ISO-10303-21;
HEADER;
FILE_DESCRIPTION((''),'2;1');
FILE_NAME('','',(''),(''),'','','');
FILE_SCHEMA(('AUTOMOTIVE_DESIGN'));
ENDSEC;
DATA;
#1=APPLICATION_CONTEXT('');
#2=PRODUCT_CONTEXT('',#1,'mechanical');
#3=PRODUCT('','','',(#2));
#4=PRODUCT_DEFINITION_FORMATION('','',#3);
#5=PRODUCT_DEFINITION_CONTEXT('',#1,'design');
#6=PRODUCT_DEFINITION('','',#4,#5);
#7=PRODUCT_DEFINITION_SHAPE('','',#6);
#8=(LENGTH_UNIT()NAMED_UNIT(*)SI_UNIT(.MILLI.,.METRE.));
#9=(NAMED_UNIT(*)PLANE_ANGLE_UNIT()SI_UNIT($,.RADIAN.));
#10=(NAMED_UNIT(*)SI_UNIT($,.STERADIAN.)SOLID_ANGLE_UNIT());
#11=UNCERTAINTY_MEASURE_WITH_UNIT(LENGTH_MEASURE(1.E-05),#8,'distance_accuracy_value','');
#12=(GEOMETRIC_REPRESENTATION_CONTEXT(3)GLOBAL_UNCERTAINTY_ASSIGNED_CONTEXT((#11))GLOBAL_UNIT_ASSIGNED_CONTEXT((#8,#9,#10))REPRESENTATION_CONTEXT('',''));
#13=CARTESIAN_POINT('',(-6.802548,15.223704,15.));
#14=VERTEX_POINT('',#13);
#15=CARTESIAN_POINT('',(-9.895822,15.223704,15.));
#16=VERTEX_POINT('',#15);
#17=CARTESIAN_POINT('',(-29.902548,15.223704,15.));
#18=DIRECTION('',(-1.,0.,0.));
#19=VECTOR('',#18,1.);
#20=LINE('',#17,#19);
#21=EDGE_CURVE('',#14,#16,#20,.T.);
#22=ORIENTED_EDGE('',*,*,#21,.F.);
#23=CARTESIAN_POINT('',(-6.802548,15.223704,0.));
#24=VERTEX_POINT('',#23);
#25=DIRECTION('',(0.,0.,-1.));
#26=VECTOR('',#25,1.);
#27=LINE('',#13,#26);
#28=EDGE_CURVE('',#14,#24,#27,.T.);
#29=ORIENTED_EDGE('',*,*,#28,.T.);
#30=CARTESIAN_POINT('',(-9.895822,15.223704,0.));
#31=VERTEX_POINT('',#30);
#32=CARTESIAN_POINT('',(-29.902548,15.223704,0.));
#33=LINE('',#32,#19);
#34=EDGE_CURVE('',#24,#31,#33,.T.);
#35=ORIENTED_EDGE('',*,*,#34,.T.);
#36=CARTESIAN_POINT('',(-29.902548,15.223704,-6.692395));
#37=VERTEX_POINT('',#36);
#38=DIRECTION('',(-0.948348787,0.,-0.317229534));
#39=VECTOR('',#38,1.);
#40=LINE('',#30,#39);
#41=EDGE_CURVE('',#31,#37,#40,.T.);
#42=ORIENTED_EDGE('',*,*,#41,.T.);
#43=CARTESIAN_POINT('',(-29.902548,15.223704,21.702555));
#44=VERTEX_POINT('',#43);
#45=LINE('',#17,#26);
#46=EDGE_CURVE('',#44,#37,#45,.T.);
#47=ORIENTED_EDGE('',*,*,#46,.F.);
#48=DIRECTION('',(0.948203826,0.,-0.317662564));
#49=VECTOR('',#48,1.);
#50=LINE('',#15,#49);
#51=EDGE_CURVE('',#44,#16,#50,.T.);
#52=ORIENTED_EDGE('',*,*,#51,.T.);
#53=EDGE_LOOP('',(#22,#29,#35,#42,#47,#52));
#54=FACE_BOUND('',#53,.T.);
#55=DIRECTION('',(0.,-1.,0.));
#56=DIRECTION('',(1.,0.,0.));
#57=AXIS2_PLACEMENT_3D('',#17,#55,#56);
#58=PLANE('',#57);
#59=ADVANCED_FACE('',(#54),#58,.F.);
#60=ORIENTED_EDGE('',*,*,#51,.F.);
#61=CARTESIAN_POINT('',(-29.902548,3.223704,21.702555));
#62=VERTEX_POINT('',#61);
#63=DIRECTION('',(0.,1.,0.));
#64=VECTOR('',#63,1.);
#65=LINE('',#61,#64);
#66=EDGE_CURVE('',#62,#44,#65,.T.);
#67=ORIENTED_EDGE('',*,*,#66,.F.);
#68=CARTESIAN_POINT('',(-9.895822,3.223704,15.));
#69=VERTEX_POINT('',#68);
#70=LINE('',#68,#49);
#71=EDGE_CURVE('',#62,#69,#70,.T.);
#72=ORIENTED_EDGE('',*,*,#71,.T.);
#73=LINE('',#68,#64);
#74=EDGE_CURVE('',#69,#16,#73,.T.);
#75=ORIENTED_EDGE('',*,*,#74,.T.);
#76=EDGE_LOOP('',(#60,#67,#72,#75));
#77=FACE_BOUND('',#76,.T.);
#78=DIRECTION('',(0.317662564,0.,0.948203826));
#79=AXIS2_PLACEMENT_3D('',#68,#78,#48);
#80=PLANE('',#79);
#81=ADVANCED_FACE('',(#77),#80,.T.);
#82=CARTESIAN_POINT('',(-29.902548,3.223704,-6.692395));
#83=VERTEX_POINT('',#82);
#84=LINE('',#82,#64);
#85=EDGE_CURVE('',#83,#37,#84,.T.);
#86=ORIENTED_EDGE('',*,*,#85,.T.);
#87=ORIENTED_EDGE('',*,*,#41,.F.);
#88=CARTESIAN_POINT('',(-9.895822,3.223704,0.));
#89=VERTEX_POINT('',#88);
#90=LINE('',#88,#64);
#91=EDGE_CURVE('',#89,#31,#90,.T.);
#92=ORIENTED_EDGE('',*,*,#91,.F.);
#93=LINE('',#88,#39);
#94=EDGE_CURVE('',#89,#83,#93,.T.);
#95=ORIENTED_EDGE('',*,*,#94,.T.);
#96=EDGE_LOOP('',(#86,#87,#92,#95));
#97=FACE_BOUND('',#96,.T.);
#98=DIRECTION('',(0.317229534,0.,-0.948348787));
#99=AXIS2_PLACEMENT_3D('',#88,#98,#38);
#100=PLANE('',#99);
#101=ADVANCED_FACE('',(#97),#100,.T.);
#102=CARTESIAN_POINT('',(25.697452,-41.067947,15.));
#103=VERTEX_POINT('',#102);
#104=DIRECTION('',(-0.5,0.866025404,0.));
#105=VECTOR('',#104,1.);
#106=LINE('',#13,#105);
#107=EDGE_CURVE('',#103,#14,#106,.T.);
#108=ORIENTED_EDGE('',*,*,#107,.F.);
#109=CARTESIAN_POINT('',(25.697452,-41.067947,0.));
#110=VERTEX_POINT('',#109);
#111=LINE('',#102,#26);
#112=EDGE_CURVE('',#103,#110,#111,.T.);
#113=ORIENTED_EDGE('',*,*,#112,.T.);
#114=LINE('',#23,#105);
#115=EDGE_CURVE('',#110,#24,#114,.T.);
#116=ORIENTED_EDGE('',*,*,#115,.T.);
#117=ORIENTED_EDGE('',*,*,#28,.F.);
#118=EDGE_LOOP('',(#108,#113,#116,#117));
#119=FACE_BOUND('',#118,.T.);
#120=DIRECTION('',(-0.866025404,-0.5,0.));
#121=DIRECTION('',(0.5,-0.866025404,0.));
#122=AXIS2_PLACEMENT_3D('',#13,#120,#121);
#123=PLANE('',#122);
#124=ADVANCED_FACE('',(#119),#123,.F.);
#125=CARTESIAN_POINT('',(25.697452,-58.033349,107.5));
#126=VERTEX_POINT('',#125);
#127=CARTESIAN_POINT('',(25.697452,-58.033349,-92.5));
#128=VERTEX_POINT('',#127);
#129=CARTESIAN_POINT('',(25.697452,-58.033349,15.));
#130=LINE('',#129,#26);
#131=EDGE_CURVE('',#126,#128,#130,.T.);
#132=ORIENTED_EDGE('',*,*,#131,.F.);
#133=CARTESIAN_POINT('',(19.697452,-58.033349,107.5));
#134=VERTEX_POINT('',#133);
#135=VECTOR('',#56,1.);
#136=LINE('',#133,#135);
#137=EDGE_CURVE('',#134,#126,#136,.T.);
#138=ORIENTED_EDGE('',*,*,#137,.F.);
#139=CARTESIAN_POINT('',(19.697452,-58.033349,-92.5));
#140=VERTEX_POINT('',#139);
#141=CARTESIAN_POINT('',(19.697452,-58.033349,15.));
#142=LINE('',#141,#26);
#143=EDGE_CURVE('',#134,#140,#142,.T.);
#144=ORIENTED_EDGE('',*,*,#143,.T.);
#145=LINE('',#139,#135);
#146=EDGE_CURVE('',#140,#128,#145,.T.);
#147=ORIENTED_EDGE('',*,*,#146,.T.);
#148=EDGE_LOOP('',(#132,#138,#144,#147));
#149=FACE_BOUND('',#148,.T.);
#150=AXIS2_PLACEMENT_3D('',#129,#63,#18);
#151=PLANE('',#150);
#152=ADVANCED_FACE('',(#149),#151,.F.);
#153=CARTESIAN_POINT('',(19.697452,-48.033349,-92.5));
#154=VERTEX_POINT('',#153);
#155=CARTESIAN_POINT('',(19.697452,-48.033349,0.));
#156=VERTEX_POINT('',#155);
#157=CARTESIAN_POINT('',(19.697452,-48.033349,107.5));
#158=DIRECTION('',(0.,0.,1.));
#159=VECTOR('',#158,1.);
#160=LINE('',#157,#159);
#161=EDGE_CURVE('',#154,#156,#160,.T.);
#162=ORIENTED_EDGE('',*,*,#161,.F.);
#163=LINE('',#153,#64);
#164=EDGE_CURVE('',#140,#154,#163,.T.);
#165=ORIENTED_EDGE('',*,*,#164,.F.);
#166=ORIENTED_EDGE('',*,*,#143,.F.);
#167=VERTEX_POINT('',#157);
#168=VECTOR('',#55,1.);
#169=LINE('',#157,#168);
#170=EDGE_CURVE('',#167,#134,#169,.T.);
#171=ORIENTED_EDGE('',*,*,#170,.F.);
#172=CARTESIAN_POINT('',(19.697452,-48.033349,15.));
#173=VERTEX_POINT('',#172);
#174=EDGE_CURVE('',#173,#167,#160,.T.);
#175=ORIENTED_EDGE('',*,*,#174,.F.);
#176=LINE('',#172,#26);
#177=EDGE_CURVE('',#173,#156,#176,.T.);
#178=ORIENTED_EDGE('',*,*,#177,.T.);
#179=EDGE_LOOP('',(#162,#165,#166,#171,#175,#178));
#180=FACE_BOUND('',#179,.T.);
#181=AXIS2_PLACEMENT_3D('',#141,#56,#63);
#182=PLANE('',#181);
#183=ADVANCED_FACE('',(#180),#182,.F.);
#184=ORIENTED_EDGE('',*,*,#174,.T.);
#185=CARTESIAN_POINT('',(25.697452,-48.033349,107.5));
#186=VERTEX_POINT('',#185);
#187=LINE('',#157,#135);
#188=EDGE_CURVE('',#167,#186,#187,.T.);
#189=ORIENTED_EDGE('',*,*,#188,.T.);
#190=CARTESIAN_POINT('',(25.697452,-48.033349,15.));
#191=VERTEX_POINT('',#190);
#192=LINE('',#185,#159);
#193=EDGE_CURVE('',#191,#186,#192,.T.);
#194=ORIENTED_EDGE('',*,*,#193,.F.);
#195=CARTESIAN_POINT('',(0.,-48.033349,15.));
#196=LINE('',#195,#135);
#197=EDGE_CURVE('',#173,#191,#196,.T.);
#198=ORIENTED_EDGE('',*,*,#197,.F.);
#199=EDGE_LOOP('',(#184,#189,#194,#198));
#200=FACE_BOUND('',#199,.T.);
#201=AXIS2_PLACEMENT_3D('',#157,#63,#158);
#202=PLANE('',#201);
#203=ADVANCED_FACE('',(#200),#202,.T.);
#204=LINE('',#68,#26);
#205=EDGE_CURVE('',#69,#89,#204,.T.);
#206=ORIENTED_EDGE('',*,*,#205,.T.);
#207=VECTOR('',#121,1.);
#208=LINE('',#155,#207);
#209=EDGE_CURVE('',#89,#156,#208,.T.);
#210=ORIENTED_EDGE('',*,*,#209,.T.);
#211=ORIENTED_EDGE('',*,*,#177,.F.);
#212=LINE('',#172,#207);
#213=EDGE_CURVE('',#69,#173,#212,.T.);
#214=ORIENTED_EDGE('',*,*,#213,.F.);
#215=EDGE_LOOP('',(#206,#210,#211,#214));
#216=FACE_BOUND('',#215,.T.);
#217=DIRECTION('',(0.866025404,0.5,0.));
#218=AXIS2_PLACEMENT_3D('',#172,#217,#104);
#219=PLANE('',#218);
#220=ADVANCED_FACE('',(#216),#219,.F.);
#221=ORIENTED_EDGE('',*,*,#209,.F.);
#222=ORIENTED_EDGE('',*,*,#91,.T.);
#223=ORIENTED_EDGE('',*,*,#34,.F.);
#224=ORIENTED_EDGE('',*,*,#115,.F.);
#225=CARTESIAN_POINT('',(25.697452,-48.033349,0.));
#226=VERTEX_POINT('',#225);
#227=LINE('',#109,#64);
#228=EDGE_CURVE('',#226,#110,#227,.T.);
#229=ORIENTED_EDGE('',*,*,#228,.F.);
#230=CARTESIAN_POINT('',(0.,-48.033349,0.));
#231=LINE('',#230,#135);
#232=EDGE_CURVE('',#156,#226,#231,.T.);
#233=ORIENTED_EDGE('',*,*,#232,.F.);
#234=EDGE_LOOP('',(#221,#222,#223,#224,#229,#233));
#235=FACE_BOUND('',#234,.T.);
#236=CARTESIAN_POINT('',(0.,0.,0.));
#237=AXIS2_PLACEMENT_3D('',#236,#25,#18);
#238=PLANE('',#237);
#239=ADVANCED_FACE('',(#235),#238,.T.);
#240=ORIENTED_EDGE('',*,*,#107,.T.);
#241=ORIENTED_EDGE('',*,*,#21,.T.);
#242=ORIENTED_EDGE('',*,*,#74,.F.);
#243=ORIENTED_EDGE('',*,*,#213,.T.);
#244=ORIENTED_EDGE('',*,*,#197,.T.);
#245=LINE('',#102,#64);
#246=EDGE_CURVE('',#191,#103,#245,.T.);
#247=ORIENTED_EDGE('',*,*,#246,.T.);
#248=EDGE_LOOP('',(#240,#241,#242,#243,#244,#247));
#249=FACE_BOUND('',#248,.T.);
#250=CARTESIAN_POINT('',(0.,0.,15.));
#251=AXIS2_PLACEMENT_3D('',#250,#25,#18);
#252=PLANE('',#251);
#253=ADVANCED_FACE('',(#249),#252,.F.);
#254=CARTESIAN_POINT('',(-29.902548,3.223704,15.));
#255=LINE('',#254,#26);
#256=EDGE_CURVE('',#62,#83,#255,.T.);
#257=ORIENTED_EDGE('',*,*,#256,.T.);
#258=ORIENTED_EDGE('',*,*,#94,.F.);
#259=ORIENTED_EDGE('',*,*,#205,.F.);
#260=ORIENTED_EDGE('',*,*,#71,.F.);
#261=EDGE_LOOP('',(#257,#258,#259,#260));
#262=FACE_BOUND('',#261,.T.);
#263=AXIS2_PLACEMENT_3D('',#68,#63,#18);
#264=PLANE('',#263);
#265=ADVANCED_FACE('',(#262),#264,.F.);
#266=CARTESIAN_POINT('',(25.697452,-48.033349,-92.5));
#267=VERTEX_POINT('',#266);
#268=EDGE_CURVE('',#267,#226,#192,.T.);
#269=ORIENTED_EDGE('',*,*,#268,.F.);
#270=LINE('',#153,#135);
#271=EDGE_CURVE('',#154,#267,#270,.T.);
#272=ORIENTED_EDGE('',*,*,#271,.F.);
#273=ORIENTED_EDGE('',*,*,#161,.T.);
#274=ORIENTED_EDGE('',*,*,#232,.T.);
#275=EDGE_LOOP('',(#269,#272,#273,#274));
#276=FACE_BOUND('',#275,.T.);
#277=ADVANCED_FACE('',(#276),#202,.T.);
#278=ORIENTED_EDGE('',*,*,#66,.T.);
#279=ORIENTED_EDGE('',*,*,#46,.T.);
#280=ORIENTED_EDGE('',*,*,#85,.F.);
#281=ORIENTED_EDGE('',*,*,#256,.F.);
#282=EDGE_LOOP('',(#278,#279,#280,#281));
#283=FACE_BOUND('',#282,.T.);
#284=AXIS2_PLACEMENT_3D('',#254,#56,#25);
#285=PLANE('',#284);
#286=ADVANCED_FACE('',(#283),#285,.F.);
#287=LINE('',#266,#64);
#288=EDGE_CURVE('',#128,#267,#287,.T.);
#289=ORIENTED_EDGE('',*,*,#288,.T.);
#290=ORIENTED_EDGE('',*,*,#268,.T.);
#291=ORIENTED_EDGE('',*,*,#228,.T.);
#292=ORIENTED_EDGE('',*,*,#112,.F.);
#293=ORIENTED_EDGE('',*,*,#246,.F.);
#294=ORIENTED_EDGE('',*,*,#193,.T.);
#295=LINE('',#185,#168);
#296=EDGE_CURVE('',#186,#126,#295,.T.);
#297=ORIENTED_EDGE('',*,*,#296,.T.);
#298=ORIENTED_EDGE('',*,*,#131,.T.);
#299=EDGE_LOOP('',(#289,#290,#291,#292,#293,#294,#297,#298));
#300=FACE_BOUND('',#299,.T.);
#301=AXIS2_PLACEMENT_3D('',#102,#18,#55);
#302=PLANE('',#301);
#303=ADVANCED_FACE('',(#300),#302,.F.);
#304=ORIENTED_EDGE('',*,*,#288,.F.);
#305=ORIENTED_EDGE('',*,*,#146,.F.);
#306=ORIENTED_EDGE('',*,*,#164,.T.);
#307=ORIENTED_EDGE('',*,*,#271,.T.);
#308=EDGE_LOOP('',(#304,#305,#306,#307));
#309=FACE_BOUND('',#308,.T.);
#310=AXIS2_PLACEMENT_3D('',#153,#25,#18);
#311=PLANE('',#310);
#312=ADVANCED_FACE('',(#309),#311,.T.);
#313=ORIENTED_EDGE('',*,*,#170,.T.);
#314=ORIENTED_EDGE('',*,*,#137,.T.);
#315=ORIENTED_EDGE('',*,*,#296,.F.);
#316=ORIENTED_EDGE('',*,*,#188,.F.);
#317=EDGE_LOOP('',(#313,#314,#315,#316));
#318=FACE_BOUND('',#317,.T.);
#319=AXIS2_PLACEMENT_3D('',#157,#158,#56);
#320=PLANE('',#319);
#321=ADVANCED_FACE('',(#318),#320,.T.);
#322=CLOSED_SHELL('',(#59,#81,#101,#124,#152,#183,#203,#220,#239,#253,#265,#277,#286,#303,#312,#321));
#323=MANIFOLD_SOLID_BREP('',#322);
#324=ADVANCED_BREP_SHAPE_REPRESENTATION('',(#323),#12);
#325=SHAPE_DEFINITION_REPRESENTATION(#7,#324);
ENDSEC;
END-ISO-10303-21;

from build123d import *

# Parameters (mm, degrees)
BOSS_EXTRU_1_DEPTH = 15
ESQUISSE5_W        = 200
ESQUISSE5_H        = 10
BOSS_EXTRU_4_DEPTH = 6
BOSS_EXTRU_5_DEPTH = 12
BOSS_EXTRU_6_DEPTH = 12


with BuildPart() as part:
    # Esquisse1 → Boss.-Extru.1 (new body)
    with BuildSketch(Plane.XY):
        Polygon((-29.902548443, 15.22370444), (-6.802548443, 15.22370444), (25.697451557, -41.067946806), (25.697451557, -58.033349019), (19.697451557, -58.033349019), (19.697451557, -48.033349019), (-9.895822056, 3.22370444), (-29.902548443, 3.22370444), align=None)
    extrude(amount=BOSS_EXTRU_1_DEPTH)

    # Esquisse5 → Boss.-Extru.4 (add)
    with BuildSketch(Plane(origin=(25.697451557, 0, 0), x_dir=(0, 0, -1), z_dir=(1, 0, 0))):
        with Locations((-7.5, -53.033349019)):
            Rectangle(ESQUISSE5_W, ESQUISSE5_H)
    extrude(amount=-BOSS_EXTRU_4_DEPTH)

    # Esquisse6 → Boss.-Extru.5 (add)
    with BuildSketch(Plane(origin=(0, 15.22370444, 0), x_dir=(1, 0, 0), z_dir=(0, 1, 0))):
        Polygon((-29.902548443, -15), (-9.895822056, -15), (-29.902548443, -21.702554703), align=None)
    extrude(amount=-BOSS_EXTRU_5_DEPTH)

    # Esquisse7 → Boss.-Extru.6 (add)
    with BuildSketch(Plane(origin=(0, 15.22370444, 0), x_dir=(1, 0, 0), z_dir=(0, 1, 0))):
        Polygon((-29.902548443, 0), (-9.895822056, 0), (-29.902548443, 6.692394801), align=None)
    extrude(amount=-BOSS_EXTRU_6_DEPTH)


solid = part.part
